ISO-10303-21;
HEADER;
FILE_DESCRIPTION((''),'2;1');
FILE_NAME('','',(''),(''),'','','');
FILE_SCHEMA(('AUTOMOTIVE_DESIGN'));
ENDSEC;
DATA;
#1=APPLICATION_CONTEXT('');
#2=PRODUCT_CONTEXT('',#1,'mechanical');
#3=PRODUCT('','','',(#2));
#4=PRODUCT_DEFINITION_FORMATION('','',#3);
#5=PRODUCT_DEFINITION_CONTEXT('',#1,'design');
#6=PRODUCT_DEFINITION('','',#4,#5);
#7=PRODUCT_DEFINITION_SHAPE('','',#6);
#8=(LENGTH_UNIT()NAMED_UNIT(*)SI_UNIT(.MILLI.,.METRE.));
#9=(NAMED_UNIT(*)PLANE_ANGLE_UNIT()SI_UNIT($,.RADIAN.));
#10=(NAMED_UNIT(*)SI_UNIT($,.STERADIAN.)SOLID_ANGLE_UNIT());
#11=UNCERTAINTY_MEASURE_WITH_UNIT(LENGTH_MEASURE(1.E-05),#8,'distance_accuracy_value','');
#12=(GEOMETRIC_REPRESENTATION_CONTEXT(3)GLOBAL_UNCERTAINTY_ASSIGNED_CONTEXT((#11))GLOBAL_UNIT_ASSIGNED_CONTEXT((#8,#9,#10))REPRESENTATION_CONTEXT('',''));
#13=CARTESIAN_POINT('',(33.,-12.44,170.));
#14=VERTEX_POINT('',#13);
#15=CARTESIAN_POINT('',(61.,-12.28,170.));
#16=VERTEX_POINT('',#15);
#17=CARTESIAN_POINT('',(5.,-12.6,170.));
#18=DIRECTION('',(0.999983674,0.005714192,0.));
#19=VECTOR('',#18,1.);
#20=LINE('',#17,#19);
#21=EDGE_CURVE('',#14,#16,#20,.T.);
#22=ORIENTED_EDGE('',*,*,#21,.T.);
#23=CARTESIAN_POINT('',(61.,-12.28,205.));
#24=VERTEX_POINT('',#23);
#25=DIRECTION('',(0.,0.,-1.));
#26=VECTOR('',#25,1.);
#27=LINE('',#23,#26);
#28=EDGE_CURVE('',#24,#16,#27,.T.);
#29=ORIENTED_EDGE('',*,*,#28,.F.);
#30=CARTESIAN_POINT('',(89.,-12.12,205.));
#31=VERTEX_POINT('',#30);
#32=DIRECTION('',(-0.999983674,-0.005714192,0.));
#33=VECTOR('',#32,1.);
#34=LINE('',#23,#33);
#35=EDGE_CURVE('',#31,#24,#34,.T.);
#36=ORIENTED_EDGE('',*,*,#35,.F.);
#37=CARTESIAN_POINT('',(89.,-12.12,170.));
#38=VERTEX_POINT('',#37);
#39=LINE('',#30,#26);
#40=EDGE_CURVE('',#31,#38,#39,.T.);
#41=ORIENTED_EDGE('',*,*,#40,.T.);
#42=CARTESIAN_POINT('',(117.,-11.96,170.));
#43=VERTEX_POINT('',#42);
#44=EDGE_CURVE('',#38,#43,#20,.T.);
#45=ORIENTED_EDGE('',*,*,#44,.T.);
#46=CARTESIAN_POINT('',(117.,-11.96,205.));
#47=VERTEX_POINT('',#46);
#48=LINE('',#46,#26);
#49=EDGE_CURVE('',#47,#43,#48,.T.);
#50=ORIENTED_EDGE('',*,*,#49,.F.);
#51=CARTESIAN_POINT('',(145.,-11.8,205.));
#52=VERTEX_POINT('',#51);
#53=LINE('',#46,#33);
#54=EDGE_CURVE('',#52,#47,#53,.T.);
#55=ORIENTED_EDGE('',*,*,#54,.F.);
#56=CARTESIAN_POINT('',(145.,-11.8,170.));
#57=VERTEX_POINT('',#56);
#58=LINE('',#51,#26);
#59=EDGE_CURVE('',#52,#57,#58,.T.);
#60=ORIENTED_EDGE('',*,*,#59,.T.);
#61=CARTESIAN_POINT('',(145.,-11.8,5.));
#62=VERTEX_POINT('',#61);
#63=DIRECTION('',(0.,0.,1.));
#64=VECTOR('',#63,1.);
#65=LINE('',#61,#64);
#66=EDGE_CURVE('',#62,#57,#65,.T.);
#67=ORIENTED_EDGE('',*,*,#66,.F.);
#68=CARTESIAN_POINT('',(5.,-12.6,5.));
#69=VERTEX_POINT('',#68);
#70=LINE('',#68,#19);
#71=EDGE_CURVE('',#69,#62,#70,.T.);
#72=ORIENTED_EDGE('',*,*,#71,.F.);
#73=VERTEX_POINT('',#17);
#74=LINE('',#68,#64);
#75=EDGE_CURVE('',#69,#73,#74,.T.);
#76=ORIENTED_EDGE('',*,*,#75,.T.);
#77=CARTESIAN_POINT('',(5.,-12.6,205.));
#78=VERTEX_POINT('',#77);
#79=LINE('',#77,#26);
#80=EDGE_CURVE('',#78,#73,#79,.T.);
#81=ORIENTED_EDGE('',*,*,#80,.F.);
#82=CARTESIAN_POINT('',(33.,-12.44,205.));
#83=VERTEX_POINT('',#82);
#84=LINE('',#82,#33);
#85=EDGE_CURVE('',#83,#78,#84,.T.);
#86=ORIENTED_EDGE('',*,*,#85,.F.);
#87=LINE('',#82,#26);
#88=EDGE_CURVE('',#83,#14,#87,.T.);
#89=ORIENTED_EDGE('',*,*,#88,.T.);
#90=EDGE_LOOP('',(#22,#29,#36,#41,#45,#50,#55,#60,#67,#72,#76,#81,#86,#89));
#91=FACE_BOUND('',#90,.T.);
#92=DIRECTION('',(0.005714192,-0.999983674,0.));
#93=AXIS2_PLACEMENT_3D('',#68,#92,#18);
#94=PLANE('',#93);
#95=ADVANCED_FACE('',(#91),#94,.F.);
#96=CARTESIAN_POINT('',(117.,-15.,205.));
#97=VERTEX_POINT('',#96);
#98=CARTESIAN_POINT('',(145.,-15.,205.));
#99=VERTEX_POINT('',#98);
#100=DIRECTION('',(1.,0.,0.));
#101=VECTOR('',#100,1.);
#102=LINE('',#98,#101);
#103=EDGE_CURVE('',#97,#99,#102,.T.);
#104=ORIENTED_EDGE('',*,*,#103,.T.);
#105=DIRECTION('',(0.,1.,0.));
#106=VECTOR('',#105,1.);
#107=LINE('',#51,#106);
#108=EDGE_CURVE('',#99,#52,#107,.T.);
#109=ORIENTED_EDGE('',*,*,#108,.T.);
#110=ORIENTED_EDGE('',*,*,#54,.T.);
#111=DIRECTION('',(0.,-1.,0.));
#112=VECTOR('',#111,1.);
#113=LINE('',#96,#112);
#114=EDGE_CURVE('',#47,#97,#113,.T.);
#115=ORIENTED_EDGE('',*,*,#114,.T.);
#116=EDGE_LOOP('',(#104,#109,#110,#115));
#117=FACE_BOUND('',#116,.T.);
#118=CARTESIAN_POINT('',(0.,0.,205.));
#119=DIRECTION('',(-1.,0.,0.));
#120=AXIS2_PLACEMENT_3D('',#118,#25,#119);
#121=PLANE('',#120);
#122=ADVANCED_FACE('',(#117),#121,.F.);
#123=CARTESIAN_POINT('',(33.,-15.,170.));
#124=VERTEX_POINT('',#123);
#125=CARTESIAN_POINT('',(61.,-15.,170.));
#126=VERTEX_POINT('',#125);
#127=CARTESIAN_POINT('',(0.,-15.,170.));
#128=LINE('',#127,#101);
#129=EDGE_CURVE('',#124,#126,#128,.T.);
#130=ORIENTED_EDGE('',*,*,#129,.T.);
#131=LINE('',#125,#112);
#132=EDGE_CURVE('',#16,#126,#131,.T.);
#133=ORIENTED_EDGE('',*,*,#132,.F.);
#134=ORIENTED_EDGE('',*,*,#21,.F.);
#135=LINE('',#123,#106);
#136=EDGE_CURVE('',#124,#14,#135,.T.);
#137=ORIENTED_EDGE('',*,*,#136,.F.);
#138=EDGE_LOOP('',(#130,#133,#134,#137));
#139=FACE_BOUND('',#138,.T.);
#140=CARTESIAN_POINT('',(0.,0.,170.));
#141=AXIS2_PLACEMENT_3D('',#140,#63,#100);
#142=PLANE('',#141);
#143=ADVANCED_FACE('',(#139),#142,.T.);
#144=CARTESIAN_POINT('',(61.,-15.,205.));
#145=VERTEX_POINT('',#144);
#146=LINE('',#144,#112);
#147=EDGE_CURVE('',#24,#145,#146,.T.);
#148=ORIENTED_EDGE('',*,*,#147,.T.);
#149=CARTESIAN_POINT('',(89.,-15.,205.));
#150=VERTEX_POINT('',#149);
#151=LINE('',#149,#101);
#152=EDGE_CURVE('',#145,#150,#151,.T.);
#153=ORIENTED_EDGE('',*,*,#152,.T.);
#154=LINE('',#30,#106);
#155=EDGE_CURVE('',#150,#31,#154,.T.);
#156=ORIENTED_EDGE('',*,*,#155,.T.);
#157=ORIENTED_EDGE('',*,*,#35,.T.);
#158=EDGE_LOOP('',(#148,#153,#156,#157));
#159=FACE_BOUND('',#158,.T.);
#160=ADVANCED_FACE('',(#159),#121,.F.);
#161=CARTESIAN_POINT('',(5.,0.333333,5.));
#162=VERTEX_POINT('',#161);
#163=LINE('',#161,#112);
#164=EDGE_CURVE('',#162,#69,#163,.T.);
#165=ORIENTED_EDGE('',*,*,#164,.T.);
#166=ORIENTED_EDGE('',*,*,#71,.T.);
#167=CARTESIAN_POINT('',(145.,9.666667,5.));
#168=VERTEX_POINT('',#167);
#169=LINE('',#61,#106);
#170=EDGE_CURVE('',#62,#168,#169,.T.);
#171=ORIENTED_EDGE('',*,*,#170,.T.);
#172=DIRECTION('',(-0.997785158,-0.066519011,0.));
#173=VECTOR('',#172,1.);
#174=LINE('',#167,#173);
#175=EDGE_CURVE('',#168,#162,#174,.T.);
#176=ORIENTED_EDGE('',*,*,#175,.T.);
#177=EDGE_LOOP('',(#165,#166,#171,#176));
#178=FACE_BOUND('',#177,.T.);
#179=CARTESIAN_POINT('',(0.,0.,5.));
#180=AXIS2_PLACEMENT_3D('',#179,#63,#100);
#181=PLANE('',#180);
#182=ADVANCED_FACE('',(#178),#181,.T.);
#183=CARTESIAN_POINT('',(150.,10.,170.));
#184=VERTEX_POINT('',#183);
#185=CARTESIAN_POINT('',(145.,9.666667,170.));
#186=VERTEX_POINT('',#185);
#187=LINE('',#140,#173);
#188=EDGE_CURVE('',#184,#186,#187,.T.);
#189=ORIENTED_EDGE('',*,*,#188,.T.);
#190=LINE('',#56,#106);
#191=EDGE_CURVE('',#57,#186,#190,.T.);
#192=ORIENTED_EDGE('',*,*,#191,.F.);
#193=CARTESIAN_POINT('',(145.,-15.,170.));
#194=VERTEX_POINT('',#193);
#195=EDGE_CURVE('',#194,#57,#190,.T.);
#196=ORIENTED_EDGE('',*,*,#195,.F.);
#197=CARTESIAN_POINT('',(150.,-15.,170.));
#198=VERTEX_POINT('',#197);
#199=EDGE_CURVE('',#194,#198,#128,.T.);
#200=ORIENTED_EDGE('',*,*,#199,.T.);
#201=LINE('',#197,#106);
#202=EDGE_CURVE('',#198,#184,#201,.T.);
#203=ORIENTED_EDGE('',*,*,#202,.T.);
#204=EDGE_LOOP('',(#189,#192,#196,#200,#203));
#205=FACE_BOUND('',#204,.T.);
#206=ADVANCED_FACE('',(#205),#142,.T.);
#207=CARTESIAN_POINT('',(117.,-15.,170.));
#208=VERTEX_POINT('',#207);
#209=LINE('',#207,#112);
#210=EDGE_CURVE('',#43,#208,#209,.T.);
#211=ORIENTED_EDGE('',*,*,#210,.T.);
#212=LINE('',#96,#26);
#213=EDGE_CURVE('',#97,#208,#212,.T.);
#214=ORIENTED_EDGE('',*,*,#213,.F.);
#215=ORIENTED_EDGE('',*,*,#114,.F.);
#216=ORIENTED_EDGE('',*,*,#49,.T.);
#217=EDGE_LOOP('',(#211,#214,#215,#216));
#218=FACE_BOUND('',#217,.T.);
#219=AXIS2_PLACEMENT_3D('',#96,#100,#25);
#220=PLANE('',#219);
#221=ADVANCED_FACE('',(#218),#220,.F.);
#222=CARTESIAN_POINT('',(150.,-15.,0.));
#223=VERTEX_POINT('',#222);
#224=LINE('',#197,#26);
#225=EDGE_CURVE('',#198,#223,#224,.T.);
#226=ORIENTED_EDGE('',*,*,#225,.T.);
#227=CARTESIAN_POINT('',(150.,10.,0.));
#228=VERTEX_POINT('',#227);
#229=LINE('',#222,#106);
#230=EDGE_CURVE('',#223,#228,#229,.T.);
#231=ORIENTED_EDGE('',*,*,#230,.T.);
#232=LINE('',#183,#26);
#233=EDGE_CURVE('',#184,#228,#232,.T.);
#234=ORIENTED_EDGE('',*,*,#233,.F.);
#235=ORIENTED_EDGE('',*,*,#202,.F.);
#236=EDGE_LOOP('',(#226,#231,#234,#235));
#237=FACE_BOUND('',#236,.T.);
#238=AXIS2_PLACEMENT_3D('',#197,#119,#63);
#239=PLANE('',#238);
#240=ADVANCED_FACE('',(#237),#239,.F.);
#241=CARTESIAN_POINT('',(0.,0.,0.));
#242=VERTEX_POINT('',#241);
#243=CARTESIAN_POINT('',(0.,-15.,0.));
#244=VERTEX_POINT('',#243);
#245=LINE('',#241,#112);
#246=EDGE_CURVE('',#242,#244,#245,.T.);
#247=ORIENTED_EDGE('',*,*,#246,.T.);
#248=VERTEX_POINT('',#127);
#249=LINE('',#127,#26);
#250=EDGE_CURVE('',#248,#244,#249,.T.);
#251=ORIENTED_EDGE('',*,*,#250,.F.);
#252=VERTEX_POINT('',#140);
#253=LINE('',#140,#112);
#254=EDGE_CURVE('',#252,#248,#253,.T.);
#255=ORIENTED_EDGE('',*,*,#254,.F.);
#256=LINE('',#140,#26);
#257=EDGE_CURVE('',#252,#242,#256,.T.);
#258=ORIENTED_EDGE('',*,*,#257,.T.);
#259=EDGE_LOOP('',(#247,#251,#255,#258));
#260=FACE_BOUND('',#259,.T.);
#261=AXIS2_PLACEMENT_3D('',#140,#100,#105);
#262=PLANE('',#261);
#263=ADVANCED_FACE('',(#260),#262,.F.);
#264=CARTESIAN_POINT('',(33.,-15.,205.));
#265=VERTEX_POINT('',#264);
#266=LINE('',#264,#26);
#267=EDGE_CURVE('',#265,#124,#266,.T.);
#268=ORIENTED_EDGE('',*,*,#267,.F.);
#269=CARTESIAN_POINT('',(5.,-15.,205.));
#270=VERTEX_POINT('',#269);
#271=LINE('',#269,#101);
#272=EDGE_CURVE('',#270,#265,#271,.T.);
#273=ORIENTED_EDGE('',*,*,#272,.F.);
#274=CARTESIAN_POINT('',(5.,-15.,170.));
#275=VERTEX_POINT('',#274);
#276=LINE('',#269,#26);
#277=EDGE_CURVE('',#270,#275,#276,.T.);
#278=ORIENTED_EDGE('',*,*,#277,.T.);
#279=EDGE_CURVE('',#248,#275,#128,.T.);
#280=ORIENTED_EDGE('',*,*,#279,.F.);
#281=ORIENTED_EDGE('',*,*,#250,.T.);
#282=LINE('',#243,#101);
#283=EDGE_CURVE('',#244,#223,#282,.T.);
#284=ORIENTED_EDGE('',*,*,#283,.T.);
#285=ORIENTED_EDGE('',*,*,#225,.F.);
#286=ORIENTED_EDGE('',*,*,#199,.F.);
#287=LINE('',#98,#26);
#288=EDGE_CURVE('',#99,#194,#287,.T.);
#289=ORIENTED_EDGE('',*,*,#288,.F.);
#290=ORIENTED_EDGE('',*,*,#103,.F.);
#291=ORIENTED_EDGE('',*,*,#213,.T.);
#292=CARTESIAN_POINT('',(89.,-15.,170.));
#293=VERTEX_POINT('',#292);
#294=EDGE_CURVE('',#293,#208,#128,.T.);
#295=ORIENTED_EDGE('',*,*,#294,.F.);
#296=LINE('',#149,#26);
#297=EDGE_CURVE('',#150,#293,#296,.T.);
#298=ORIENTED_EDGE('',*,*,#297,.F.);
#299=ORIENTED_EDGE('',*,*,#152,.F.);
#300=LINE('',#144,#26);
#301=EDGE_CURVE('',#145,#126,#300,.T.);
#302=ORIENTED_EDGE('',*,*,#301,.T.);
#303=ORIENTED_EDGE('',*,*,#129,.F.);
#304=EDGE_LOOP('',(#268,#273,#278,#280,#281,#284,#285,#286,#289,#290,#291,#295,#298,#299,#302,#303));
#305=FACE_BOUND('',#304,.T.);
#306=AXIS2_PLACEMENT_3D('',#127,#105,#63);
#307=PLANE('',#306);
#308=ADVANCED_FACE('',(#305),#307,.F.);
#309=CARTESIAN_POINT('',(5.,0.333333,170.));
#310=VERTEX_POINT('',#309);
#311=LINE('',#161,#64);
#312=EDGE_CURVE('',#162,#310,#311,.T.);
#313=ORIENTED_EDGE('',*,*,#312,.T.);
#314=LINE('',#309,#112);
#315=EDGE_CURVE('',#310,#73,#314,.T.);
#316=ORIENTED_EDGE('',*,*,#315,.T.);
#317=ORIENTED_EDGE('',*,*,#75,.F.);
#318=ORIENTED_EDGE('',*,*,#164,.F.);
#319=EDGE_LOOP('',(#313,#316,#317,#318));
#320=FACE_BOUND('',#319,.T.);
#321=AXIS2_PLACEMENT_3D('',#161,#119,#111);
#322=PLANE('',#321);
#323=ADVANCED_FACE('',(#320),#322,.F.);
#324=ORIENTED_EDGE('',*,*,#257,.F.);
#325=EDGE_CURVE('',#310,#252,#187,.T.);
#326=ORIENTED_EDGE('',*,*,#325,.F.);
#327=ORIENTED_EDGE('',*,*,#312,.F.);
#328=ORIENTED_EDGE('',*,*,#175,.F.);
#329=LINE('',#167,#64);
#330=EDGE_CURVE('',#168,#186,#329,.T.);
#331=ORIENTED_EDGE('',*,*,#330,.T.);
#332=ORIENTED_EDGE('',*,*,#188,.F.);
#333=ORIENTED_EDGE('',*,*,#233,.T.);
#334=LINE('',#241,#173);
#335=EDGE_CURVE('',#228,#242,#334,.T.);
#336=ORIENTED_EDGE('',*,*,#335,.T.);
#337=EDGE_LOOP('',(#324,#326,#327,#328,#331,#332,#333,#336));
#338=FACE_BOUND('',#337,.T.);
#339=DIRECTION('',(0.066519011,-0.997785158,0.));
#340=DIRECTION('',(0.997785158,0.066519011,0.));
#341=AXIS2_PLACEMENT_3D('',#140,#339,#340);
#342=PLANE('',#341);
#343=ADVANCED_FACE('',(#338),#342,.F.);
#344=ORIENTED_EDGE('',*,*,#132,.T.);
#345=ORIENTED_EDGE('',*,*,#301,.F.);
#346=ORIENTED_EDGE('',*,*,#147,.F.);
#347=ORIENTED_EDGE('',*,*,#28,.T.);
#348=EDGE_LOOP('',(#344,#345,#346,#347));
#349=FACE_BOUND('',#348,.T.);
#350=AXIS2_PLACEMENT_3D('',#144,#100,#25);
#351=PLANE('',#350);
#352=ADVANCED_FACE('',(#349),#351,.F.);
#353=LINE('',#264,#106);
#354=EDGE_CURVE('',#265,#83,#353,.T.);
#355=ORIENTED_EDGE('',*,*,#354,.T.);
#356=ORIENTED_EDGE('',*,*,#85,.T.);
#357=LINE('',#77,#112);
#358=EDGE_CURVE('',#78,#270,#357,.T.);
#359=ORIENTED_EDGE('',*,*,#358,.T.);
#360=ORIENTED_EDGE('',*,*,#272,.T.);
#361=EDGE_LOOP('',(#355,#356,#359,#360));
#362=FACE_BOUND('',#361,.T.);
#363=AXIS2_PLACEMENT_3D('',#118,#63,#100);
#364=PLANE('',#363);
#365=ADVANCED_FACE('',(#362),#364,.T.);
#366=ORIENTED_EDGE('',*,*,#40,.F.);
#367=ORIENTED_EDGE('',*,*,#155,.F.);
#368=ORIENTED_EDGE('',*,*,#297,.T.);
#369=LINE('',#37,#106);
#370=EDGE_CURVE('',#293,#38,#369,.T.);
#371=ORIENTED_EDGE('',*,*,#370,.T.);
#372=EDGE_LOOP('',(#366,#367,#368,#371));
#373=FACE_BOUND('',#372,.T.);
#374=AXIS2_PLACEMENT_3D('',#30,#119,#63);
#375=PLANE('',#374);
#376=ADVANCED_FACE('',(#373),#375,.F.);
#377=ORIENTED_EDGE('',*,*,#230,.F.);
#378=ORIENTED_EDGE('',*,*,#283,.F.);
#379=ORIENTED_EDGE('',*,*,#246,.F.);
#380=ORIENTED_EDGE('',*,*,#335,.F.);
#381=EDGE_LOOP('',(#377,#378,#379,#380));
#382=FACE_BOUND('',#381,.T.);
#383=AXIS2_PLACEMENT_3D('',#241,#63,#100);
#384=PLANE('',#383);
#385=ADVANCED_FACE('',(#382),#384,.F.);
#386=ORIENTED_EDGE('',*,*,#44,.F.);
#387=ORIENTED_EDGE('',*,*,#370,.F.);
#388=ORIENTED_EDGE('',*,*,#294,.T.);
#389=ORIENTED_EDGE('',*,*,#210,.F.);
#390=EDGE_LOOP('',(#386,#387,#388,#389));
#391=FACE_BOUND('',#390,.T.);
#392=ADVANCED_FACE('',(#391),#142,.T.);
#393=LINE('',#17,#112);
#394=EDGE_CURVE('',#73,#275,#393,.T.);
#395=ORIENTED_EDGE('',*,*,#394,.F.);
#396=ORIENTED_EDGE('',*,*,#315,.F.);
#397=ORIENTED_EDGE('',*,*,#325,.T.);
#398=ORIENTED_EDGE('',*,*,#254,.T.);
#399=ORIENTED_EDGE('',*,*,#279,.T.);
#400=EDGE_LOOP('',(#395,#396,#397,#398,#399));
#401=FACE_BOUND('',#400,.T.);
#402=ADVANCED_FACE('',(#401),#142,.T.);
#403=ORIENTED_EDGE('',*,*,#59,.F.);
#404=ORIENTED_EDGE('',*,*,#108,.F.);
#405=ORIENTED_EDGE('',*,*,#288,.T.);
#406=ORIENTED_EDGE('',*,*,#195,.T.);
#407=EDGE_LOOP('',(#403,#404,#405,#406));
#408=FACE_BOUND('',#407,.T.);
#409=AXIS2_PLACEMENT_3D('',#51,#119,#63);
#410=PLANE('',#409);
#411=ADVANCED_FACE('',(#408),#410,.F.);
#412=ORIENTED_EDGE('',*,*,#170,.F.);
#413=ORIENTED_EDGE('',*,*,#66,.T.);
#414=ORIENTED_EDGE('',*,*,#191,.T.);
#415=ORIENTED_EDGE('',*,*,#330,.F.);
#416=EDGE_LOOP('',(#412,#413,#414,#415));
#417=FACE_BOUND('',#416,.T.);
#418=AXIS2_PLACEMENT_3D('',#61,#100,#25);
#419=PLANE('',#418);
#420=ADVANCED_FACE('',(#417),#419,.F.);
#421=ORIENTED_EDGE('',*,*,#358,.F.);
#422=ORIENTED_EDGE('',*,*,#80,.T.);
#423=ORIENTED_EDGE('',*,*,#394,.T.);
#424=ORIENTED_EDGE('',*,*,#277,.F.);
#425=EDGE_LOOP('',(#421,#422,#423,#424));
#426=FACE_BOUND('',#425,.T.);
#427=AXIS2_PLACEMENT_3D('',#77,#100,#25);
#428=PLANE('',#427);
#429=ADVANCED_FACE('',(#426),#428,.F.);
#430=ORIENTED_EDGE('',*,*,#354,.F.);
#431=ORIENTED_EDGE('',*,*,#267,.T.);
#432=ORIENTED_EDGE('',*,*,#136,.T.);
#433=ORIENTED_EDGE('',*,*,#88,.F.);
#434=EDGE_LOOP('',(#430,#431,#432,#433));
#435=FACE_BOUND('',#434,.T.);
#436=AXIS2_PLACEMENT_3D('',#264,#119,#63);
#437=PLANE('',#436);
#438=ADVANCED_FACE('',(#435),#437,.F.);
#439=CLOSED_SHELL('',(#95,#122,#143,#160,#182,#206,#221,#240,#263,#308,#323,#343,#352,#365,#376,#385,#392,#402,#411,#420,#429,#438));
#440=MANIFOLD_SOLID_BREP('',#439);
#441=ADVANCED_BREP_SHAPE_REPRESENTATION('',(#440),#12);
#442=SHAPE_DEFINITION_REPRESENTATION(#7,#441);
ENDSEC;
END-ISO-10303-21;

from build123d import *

# Parameters (mm, degrees)
BOSS_EXTRUDE1_DEPTH = 170
CUT_EXTRUDE1_DEPTH  = 165
BOSS_EXTRUDE2_DEPTH = 35
BOSS_EXTRUDE3_DEPTH = 35


with BuildPart() as part:
    # Sketch1 → Boss-Extrude1 (new body)
    with BuildSketch(Plane.XY):
        Polygon((0, 0), (0, -15), (150, -15), (150, 10), align=None)
    extrude(amount=BOSS_EXTRUDE1_DEPTH)

    # Sketch2 → Cut-Extrude1 (cut)
    with BuildSketch(Plane.XY.offset(170)):
        Polygon((5, 0.333333333), (5, -12.6), (145, -11.8), (145, 9.666666667), align=None)
    extrude(amount=-CUT_EXTRUDE1_DEPTH, mode=Mode.SUBTRACT)

    # Sketch3 → Boss-Extrude2 (add)
    with BuildSketch(Plane.XY.offset(170)):
        Polygon((145, -11.8), (145, -15), (117, -15), (117, -11.96), align=None)
    extrude(amount=BOSS_EXTRUDE2_DEPTH)

    # Sketch4 → Boss-Extrude3 (add)
    with BuildSketch(Plane.XY.offset(170)):
        Polygon((89, -12.12), (89, -15), (61, -15), (61, -12.28), align=None)
        Polygon((5, -12.6), (5, -15), (33, -15), (33, -12.44), align=None)
    extrude(amount=BOSS_EXTRUDE3_DEPTH)


solid = part.part
